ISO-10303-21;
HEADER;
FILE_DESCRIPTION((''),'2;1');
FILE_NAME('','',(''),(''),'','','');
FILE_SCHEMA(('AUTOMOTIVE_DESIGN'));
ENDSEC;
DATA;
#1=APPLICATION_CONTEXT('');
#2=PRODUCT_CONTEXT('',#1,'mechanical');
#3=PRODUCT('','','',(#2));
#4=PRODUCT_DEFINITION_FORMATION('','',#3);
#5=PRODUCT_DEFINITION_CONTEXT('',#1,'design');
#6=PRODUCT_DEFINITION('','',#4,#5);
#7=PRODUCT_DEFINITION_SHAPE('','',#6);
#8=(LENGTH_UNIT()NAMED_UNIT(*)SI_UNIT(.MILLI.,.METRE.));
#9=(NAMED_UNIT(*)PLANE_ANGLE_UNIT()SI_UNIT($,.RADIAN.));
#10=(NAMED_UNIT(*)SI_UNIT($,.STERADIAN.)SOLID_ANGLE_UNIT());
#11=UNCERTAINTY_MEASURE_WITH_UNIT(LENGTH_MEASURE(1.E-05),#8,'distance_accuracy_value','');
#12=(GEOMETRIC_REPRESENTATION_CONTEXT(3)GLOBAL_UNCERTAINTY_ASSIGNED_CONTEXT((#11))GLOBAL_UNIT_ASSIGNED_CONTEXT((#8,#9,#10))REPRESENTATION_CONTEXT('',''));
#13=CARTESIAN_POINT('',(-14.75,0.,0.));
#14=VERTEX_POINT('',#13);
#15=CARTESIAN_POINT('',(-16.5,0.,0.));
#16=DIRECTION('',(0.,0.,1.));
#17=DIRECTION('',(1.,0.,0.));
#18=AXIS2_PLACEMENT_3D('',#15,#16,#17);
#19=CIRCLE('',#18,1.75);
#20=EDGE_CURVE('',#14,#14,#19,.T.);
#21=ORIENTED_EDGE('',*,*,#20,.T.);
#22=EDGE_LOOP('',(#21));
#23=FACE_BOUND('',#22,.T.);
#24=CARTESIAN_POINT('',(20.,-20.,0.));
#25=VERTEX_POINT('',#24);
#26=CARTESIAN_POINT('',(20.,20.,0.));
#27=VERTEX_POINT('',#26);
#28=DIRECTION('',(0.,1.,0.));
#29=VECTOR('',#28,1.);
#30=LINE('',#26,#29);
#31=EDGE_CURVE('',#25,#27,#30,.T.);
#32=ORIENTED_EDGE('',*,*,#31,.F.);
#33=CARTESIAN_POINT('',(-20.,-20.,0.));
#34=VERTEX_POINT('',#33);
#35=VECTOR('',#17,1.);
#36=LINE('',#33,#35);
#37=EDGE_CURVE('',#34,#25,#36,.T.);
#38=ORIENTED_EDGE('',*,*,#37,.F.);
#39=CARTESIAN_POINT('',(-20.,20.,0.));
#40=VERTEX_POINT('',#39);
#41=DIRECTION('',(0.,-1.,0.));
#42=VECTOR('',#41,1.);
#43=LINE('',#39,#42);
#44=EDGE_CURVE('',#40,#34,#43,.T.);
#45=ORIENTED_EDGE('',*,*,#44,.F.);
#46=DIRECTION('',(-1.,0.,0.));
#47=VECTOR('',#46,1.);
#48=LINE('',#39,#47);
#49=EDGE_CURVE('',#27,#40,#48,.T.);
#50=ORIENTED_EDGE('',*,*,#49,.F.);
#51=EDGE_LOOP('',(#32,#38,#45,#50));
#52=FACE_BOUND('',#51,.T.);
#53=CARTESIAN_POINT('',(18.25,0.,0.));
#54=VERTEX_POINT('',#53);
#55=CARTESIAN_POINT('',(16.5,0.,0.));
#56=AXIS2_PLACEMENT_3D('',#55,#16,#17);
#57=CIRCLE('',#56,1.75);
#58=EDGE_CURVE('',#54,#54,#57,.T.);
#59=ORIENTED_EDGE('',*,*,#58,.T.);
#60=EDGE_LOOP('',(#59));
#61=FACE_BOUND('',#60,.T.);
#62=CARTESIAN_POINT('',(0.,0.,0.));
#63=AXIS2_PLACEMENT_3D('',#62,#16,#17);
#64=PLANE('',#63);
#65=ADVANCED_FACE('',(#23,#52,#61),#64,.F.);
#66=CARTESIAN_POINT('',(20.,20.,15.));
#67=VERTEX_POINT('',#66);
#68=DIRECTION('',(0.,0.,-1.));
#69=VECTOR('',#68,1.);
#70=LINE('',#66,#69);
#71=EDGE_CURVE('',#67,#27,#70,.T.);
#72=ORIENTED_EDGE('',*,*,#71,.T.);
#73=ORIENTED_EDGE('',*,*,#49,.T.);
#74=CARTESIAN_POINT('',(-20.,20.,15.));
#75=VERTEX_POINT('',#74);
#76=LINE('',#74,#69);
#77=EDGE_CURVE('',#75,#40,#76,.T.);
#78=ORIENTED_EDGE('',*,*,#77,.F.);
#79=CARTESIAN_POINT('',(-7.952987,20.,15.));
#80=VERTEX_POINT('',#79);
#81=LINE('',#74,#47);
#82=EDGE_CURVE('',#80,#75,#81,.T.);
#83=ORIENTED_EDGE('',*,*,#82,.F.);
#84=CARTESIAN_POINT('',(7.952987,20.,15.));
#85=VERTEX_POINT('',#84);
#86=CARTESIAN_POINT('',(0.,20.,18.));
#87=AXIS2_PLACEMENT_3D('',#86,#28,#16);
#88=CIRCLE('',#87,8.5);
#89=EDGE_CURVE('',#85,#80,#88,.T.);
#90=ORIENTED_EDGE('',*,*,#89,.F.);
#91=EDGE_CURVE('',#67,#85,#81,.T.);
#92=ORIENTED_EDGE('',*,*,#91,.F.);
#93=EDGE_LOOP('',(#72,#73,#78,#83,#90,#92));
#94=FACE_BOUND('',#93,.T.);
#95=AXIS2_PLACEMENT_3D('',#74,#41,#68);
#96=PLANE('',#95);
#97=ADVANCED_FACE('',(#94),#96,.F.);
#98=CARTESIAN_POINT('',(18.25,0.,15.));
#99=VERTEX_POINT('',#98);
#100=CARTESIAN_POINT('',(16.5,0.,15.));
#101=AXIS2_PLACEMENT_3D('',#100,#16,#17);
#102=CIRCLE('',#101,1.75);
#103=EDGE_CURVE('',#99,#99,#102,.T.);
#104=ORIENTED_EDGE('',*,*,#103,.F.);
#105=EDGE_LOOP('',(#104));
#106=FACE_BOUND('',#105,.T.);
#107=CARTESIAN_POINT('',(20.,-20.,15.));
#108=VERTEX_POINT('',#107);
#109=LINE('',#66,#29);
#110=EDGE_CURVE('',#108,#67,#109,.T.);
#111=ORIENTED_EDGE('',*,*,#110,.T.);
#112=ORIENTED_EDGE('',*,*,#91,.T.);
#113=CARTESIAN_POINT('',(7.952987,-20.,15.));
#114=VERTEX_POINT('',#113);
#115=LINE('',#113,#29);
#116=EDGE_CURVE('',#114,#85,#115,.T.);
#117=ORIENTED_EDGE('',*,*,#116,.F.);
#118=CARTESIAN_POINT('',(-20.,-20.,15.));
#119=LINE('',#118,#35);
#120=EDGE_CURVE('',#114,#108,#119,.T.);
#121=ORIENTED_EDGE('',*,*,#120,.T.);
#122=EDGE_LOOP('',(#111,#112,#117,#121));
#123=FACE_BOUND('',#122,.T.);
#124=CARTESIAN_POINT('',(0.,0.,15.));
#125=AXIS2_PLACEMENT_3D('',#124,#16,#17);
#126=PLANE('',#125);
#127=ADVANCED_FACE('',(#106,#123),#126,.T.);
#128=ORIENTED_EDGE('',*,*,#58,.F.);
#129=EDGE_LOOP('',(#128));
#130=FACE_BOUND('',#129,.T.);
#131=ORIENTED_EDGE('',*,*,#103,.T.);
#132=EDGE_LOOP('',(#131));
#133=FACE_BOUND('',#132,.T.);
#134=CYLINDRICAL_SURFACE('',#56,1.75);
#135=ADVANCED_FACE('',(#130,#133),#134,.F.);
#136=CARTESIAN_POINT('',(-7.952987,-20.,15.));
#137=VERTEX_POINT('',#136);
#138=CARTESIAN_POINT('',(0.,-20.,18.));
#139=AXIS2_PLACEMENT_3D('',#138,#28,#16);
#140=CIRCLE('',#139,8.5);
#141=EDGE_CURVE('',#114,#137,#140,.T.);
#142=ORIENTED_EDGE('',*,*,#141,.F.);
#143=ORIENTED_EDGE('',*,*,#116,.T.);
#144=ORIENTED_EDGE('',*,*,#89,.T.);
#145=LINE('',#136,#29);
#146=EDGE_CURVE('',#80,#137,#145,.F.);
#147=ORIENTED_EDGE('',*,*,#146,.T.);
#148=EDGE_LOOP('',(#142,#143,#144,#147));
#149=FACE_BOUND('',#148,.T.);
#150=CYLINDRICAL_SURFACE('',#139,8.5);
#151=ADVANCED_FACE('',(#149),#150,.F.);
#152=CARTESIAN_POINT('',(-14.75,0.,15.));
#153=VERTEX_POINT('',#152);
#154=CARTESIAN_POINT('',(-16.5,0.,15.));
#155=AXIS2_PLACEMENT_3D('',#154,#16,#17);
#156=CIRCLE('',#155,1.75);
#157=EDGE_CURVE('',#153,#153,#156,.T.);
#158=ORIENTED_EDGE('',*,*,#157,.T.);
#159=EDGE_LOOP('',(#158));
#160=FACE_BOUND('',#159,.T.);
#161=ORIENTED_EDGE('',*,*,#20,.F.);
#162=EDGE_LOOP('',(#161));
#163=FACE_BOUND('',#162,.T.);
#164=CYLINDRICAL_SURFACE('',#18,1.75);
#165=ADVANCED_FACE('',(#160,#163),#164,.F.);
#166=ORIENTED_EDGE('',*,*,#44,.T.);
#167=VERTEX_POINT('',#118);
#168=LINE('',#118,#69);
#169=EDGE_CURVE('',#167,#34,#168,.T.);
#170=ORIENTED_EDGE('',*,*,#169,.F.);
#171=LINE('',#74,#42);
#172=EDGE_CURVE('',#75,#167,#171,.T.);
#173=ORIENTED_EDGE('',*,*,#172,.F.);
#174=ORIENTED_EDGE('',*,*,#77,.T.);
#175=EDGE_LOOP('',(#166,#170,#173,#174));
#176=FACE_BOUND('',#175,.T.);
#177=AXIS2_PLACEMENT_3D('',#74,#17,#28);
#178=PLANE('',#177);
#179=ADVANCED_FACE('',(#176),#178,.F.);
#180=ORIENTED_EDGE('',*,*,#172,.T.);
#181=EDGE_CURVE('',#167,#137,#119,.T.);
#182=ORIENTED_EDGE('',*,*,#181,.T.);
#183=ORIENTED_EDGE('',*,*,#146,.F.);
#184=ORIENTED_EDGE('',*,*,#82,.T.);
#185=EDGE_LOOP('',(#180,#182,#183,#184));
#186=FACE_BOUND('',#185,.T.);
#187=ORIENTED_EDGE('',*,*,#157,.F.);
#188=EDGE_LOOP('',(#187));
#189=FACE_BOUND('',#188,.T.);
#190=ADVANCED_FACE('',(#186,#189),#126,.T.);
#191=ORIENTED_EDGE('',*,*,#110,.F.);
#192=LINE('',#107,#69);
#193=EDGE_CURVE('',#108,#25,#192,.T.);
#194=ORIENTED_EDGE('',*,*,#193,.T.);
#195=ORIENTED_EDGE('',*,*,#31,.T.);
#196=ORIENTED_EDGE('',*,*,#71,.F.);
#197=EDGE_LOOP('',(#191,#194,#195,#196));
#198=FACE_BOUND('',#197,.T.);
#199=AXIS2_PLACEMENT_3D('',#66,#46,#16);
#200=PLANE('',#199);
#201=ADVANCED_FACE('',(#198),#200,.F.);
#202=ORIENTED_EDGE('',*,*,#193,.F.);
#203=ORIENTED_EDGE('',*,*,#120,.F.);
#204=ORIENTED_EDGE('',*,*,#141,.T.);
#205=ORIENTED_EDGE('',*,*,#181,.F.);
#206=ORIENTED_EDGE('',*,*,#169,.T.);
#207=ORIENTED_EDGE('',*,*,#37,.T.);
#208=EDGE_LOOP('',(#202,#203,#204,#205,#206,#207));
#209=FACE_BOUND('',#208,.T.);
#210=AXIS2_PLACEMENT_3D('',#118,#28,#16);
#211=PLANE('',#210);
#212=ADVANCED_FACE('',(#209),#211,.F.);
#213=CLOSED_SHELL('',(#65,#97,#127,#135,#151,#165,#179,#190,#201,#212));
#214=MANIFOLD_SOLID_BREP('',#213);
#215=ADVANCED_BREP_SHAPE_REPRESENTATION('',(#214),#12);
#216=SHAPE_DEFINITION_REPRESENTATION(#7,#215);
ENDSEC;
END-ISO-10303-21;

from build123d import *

# Parameters (mm, degrees)
SKETCH1_W           = 40
SKETCH1_H           = 40
BOSS_EXTRUDE1_DEPTH = 15
SKETCH2_R           = 1.75
CUT_EXTRUDE1_DEPTH  = 16
SKETCH3_R           = 8.5
CUT_EXTRUDE2_DEPTH  = 41


with BuildPart() as part:
    # Sketch1 → Boss-Extrude1 (new body)
    with BuildSketch(Plane.XY):
        Rectangle(SKETCH1_W, SKETCH1_H)
    extrude(amount=BOSS_EXTRUDE1_DEPTH)

    # Sketch2 → Cut-Extrude1 (cut, through all)
    with BuildSketch(Plane.XY.offset(15)):
        with Locations((-16.5, 0)):
            Circle(SKETCH2_R)
        with Locations((16.5, 0)):
            Circle(SKETCH2_R)
    extrude(amount=-CUT_EXTRUDE1_DEPTH, mode=Mode.SUBTRACT)

    # Sketch3 → Cut-Extrude2 (cut, through all)
    with BuildSketch(Plane(origin=(0, 20, 0), x_dir=(1, 0, 0), z_dir=(0, 1, 0))):
        with Locations((0, -18)):
            Circle(SKETCH3_R)
    extrude(amount=-CUT_EXTRUDE2_DEPTH, mode=Mode.SUBTRACT)


solid = part.part
